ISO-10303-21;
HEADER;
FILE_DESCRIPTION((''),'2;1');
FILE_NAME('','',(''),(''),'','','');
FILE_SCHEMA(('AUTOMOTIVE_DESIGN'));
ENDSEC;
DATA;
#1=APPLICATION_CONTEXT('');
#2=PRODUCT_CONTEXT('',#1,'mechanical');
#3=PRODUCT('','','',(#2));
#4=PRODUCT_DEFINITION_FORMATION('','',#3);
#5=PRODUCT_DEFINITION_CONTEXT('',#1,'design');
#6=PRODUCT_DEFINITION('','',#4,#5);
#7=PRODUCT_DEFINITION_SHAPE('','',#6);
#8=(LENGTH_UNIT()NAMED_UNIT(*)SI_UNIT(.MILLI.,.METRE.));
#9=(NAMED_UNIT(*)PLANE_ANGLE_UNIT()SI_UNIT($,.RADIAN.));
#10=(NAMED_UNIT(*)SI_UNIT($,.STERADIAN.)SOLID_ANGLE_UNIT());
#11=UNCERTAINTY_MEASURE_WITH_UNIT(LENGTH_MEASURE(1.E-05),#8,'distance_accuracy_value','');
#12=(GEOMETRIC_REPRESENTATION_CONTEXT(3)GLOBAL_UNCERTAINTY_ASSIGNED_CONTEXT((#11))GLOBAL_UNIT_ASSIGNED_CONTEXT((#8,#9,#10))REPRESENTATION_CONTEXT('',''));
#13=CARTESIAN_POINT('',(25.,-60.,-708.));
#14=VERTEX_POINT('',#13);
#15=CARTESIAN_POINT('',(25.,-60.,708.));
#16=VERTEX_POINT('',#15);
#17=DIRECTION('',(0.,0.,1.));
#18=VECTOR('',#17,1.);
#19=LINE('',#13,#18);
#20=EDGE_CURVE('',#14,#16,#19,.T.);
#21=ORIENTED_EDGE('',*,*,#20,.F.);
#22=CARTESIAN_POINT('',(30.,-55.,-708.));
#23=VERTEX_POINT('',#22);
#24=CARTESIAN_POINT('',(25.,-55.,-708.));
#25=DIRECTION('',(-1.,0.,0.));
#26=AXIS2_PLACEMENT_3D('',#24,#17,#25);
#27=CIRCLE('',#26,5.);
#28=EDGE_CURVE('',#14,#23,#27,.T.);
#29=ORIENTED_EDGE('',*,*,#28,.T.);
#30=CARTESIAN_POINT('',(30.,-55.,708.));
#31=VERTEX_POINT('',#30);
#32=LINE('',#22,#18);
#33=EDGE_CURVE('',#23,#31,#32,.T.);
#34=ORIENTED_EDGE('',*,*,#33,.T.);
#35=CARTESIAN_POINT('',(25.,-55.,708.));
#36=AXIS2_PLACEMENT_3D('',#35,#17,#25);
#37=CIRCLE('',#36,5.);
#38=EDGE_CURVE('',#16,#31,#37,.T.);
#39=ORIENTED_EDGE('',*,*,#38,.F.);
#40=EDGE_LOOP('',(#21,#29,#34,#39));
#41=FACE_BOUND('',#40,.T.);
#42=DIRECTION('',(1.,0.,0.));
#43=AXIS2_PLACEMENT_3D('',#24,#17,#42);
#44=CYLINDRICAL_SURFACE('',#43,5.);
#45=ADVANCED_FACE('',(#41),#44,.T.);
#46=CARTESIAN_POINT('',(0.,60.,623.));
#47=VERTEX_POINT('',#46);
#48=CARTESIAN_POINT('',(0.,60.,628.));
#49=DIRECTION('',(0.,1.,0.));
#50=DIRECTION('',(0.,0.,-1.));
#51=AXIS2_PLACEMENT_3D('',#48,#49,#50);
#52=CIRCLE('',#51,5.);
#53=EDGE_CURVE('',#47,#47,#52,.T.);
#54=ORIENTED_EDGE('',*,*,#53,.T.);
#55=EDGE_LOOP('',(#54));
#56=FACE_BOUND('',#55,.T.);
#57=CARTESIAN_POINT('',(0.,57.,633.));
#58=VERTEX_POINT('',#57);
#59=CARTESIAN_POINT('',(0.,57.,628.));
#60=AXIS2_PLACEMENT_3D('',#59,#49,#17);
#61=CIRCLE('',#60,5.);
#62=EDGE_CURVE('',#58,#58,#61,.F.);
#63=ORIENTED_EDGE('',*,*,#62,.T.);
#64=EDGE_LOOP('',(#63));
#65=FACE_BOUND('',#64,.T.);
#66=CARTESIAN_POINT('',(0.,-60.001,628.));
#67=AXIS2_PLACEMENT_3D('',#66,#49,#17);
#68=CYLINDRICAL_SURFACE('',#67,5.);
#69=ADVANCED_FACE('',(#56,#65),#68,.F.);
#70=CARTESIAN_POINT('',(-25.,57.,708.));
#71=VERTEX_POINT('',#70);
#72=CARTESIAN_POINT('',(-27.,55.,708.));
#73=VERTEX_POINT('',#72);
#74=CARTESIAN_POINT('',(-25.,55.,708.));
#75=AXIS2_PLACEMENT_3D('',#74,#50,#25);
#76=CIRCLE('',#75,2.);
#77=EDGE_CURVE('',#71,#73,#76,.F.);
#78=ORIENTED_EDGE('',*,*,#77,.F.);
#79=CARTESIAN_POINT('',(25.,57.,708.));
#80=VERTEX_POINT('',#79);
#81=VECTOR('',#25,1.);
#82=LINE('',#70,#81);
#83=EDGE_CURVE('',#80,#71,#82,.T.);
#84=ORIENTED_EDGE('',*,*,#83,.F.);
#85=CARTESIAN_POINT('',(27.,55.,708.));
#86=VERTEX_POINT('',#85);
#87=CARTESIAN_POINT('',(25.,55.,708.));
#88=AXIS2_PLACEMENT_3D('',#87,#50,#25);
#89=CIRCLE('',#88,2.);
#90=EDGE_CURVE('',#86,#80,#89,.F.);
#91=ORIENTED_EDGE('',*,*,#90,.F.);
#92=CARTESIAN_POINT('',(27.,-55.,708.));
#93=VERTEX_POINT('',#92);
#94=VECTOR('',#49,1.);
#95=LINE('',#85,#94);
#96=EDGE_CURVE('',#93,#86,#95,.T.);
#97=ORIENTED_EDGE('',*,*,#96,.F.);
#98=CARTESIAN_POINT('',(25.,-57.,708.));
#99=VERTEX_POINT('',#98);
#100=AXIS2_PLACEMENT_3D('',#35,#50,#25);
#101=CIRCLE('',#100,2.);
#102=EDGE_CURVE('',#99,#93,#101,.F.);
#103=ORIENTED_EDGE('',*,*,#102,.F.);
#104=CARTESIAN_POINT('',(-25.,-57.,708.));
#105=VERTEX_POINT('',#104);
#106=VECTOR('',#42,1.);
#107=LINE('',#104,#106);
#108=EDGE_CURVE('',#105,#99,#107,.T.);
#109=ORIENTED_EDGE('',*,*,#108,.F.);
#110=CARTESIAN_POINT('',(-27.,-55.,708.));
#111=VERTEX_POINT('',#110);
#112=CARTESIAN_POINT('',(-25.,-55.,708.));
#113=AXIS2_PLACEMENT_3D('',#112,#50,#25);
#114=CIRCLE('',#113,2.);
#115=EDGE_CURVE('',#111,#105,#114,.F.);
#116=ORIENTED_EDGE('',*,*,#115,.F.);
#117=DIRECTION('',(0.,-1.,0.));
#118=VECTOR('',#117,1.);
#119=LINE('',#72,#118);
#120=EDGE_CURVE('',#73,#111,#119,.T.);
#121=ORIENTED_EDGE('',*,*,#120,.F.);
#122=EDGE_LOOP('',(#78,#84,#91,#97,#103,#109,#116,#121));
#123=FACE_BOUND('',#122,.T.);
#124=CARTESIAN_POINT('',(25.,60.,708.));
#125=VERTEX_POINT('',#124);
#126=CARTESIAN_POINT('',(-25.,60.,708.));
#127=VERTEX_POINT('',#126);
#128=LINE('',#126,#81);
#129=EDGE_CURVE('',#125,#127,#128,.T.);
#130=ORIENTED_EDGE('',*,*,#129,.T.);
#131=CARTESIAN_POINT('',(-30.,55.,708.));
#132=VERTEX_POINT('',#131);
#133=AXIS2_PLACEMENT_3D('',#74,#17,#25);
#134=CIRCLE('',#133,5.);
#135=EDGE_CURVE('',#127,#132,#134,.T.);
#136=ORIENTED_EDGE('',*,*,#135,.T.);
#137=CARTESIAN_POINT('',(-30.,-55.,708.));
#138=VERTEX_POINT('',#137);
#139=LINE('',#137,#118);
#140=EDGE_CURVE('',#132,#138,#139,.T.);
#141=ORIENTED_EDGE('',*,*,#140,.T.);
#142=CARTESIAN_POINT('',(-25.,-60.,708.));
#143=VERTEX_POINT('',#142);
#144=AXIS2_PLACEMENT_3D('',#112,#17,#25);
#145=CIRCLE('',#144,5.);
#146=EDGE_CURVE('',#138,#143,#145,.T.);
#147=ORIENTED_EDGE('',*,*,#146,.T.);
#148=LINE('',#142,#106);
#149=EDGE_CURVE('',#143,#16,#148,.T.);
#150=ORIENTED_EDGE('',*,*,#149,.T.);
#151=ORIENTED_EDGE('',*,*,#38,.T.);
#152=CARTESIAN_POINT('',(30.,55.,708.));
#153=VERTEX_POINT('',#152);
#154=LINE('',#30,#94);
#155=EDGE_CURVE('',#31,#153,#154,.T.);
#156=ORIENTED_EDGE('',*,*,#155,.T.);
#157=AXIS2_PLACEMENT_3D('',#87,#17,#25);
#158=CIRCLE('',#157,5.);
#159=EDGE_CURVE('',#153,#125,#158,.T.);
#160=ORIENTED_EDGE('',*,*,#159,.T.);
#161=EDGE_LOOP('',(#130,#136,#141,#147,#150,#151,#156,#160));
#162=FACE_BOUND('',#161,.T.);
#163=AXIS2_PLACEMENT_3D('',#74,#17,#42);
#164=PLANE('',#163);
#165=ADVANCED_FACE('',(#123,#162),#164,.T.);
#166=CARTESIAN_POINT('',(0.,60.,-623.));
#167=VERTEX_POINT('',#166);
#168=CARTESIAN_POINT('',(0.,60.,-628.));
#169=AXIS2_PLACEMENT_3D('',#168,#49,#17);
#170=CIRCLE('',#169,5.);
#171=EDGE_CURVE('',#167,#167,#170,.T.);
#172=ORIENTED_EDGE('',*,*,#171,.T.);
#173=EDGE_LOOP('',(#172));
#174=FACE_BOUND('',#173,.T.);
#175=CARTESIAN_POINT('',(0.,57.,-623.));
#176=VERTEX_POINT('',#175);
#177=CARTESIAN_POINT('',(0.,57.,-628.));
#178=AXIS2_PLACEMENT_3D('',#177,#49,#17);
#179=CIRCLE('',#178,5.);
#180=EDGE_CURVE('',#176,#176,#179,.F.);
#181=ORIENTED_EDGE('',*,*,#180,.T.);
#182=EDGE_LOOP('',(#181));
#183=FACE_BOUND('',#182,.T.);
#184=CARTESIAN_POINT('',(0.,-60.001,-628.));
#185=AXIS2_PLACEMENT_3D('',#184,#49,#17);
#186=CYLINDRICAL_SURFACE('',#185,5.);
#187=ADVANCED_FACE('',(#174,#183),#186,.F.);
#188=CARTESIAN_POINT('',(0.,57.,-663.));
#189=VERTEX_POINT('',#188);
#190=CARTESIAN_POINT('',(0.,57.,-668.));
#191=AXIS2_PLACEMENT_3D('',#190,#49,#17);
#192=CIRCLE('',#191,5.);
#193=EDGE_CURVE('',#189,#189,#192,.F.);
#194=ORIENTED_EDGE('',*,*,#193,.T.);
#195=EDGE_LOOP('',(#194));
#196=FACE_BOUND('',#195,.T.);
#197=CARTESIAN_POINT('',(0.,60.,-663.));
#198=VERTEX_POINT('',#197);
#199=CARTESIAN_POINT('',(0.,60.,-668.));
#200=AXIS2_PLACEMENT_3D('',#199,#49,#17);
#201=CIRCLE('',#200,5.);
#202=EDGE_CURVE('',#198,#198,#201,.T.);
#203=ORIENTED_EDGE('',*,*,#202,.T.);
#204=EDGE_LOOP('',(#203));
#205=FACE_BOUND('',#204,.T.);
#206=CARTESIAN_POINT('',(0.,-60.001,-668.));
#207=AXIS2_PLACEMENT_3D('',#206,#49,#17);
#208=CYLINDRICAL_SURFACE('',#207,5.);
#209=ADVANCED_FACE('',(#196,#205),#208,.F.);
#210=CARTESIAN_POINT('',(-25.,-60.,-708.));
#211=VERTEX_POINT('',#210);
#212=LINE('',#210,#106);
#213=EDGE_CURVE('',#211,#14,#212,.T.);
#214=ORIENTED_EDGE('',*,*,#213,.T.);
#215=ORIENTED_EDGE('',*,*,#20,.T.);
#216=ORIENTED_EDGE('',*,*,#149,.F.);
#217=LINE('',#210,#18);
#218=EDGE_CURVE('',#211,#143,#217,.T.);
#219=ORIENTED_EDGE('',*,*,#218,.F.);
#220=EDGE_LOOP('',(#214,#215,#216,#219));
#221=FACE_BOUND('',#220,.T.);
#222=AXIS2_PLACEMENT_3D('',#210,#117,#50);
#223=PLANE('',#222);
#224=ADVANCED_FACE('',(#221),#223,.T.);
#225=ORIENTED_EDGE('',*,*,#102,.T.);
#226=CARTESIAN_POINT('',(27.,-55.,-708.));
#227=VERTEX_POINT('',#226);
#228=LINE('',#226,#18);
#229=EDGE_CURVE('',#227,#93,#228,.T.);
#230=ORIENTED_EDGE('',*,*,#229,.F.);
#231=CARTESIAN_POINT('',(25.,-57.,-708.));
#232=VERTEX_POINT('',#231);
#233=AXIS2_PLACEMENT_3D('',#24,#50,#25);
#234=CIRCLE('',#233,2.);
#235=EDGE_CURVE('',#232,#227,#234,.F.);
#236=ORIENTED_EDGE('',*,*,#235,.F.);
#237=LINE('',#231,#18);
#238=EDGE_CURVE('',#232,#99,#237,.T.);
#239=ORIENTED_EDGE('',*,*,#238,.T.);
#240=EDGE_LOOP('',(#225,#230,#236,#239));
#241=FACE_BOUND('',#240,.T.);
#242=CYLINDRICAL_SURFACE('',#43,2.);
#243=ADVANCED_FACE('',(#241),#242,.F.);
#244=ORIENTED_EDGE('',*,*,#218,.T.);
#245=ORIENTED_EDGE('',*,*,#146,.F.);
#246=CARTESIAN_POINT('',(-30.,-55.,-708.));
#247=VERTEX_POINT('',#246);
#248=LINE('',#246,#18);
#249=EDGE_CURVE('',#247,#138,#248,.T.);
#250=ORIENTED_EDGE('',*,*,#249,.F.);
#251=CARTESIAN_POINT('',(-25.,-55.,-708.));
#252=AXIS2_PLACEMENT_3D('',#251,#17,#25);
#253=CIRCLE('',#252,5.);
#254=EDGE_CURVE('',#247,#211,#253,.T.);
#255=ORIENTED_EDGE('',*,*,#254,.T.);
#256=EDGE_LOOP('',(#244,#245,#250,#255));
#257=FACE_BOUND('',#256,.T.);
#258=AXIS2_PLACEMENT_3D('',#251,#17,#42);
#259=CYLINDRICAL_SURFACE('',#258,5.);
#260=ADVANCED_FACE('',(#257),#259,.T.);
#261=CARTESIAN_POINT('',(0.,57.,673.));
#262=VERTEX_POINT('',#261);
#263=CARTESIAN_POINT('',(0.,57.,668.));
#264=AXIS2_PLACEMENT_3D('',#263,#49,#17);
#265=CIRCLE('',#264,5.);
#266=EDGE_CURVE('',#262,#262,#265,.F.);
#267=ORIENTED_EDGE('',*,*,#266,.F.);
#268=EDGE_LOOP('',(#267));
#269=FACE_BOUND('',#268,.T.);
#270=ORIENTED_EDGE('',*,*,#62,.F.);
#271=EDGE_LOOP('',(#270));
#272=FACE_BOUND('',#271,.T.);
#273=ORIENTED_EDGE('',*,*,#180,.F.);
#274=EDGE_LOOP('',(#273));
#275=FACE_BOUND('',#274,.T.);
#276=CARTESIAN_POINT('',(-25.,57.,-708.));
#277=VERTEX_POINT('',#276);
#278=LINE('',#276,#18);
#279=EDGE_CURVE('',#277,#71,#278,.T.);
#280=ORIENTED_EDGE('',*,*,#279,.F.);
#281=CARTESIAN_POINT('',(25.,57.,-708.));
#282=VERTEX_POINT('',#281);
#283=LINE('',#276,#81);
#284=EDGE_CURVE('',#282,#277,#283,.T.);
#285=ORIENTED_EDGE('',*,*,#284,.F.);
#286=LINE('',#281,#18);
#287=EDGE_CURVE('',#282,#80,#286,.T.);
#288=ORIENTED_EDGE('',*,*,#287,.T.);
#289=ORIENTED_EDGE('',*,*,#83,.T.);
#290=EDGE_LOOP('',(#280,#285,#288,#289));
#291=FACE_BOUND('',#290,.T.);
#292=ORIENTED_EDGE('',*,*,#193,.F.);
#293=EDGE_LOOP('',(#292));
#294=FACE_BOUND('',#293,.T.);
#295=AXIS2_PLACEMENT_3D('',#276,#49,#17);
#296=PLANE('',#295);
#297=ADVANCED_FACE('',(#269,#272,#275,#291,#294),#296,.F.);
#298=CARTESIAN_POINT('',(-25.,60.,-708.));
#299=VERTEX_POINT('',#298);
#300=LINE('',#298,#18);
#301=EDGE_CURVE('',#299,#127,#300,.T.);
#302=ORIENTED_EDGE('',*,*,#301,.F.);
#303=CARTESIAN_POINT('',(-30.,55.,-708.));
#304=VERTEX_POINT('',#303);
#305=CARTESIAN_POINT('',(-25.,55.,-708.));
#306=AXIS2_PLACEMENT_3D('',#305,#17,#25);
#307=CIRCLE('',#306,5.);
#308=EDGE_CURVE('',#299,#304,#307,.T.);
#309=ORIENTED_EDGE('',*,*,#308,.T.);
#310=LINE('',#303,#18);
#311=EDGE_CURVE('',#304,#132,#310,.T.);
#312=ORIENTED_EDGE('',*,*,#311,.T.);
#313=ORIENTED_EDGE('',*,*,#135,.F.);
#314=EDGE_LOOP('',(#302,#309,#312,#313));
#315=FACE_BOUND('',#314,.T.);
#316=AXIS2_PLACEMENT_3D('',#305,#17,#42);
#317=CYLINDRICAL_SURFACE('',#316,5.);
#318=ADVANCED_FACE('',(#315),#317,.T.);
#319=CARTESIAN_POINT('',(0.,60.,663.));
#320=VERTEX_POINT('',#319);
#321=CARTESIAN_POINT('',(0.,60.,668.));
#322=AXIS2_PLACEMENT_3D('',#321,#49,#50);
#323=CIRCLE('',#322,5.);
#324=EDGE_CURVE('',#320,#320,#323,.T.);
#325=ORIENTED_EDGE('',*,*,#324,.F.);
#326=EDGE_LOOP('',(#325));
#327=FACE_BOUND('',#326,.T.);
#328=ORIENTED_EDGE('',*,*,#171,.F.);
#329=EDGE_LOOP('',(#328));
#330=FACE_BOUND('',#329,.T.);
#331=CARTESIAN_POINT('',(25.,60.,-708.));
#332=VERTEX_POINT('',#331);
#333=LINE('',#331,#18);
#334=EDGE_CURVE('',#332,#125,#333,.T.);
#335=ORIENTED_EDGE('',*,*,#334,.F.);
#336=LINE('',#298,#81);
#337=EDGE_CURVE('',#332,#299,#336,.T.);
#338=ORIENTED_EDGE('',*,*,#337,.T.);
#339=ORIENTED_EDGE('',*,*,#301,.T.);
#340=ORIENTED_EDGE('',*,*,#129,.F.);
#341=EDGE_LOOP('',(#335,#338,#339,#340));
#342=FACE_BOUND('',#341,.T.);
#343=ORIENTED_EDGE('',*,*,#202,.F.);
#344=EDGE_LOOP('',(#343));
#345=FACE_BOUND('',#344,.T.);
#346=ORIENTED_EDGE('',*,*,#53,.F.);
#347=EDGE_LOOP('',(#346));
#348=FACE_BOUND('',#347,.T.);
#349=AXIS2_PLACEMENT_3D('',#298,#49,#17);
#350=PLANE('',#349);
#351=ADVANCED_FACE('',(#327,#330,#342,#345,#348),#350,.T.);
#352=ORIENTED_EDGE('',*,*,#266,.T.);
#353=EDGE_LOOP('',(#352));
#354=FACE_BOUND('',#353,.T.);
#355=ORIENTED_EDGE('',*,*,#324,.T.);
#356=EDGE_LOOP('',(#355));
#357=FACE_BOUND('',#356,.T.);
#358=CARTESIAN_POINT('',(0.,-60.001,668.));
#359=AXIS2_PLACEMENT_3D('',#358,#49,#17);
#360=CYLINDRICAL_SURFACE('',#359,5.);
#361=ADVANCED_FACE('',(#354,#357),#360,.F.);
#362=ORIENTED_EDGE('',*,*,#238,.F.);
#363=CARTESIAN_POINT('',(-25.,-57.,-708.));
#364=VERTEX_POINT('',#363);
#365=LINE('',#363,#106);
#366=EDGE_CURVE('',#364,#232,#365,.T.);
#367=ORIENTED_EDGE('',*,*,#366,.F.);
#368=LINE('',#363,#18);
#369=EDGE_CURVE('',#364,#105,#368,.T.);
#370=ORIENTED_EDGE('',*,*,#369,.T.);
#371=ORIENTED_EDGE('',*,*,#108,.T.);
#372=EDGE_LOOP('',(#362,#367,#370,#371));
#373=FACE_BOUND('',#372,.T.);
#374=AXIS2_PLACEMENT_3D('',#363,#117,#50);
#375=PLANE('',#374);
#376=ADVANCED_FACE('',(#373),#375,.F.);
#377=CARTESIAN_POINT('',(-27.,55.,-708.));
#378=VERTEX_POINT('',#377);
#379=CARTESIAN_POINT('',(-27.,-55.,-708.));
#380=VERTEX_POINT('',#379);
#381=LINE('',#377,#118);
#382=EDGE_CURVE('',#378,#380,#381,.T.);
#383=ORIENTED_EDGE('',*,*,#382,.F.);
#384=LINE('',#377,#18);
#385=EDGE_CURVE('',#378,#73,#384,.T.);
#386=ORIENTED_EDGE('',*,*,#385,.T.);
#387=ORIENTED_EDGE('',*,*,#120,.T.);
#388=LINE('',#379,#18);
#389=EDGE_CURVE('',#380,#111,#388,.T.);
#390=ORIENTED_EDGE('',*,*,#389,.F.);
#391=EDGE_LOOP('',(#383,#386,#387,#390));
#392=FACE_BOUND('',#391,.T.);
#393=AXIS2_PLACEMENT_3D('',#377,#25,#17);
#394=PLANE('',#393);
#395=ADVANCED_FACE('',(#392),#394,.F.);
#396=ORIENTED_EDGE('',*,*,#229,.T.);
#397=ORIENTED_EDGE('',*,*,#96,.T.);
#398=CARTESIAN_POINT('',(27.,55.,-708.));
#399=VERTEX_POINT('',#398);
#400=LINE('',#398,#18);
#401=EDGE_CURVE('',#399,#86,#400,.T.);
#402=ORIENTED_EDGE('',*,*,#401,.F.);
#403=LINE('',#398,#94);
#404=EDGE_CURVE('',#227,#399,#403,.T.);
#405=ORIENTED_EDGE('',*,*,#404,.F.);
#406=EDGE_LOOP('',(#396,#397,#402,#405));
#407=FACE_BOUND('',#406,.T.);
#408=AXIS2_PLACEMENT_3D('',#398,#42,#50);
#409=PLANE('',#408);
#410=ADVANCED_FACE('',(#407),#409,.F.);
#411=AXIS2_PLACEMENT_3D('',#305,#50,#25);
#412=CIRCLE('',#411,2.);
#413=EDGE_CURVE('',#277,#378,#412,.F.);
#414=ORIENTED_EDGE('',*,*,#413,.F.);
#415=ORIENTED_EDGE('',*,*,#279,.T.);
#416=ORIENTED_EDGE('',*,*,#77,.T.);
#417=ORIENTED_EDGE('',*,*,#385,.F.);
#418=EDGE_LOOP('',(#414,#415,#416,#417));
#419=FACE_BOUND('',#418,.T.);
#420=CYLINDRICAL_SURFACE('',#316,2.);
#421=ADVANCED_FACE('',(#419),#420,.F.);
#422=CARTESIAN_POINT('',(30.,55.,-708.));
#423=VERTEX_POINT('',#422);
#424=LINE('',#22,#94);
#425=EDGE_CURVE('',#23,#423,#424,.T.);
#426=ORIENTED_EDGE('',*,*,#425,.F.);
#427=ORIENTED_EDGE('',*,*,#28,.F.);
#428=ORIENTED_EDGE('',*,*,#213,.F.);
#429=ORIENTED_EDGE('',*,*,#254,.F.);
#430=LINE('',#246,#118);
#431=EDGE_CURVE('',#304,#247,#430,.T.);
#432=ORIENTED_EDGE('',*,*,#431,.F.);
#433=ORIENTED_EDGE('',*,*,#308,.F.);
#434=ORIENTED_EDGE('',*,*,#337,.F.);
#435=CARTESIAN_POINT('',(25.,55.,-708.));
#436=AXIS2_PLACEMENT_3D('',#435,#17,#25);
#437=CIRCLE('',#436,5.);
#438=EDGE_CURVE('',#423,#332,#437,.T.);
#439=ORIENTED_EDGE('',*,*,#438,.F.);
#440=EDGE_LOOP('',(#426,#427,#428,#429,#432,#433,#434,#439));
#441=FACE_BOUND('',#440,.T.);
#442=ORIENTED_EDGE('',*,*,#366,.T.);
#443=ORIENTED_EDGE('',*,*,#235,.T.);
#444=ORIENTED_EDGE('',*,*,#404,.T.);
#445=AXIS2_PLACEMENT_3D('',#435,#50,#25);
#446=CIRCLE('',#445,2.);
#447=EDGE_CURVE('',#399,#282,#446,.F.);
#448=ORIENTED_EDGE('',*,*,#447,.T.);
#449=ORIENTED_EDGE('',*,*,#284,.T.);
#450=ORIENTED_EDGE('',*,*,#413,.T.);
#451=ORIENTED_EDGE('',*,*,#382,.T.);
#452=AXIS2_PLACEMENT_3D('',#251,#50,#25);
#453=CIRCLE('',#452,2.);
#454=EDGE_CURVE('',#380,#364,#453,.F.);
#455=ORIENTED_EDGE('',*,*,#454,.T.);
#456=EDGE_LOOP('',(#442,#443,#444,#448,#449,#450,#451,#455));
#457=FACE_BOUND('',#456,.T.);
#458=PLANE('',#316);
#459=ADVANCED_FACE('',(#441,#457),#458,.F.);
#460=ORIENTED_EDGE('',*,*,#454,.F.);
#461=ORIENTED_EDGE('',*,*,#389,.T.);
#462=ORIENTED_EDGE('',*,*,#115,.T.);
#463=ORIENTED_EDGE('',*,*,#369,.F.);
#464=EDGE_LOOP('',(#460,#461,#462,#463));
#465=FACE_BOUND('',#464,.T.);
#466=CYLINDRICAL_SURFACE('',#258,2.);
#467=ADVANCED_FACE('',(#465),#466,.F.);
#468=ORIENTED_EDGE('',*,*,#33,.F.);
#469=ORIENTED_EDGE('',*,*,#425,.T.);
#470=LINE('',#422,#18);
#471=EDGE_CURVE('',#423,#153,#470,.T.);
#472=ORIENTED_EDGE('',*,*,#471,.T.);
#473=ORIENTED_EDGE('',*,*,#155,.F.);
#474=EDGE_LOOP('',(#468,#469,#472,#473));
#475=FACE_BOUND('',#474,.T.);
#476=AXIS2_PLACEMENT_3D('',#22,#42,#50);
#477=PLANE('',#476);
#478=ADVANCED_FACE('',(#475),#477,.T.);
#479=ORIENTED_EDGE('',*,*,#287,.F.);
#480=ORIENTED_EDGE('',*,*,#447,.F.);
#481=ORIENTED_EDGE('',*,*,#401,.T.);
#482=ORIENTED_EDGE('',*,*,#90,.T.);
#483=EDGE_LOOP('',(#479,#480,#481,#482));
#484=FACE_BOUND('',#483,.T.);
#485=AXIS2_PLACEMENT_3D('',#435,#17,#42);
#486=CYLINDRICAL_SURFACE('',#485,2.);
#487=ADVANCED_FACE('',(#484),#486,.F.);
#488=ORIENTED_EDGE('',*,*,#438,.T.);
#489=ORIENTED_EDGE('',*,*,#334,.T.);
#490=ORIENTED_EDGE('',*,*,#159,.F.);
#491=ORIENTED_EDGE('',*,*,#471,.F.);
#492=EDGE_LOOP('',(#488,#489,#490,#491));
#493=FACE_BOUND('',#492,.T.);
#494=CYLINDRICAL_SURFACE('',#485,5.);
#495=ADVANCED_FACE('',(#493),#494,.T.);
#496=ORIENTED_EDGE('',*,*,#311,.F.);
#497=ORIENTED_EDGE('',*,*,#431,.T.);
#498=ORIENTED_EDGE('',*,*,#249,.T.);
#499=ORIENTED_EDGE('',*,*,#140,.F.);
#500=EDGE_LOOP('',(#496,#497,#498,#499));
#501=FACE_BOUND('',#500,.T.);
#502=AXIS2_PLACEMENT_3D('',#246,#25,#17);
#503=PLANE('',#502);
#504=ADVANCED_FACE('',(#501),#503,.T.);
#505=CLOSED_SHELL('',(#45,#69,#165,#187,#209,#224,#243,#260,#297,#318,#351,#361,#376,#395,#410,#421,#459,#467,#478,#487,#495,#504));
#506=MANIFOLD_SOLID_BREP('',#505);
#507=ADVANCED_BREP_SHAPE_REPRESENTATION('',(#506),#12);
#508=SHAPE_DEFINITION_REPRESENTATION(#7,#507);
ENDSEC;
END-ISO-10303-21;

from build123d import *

# Parameters (mm, degrees)
EXTRUDE_THIN1_DEPTH      = 708
EXTRUDE_THIN1_DEPTH_BACK = 708
CUT_EXTRUDE1_REACH       = 720.724
SKETCH3_R                = 5


with BuildPart() as part:
    # Sketch2 → Extrude-Thin1 (new, two sides: drawn at the far end of the back side and taken through both)
    with BuildSketch(Plane.XY.offset(-EXTRUDE_THIN1_DEPTH_BACK)):
        with BuildLine():
            Line((-25, -60), (25, -60))
            ThreePointArc((25, -60), (28.535533906, -58.535533906), (30, -55))
            Line((30, -55), (30, 55))
            ThreePointArc((30, 55), (28.535533906, 58.535533906), (25, 60))
            Line((25, 60), (-25, 60))
            ThreePointArc((-25, 60), (-28.535533906, 58.535533906), (-30, 55))
            Line((-30, 55), (-30, -55))
            ThreePointArc((-30, -55), (-28.535533906, -58.535533906), (-25, -60))
        make_face()
        with BuildLine():
            Line((-25, -57), (25, -57))
            ThreePointArc((25, -57), (26.414213562, -56.414213562), (27, -55))
            Line((27, -55), (27, 55))
            ThreePointArc((27, 55), (26.414213562, 56.414213562), (25, 57))
            Line((25, 57), (-25, 57))
            ThreePointArc((-25, 57), (-26.414213562, 56.414213562), (-27, 55))
            Line((-27, 55), (-27, -55))
            ThreePointArc((-27, -55), (-26.414213562, -56.414213562), (-25, -57))
        make_face(mode=Mode.SUBTRACT)
    extrude(amount=EXTRUDE_THIN1_DEPTH + EXTRUDE_THIN1_DEPTH_BACK)

    # Sketch3 → Cut-Extrude1 (cut, up to next)
    with BuildSketch(Plane(origin=(0, 60, 0), x_dir=(1, 0, 0), z_dir=(0, 1, 0)), mode=Mode.PRIVATE) as cut_extrude1_sk1:
        with Locations(Location((0, 668, 0), (0, 0, 270))):
            Circle(SKETCH3_R)
    cut_extrude1_tool1 = extrude(cut_extrude1_sk1.sketch, amount=-CUT_EXTRUDE1_REACH, mode=Mode.PRIVATE) & part.part
    # Sketch3 → Cut-Extrude1 (cut, up to next)
    with BuildSketch(Plane(origin=(0, 60, 0), x_dir=(1, 0, 0), z_dir=(0, 1, 0)), mode=Mode.PRIVATE) as cut_extrude1_sk2:
        with Locations(Location((0, 628, 0), (0, 0, 270))):
            Circle(SKETCH3_R)
    cut_extrude1_tool2 = extrude(cut_extrude1_sk2.sketch, amount=-CUT_EXTRUDE1_REACH, mode=Mode.PRIVATE) & part.part
    # Sketch3 → Cut-Extrude1 (cut, up to next)
    with BuildSketch(Plane(origin=(0, 60, 0), x_dir=(1, 0, 0), z_dir=(0, 1, 0)), mode=Mode.PRIVATE) as cut_extrude1_sk3:
        with Locations(Location((0, -628, 0), (0, 0, 270))):
            Circle(SKETCH3_R)
    cut_extrude1_tool3 = extrude(cut_extrude1_sk3.sketch, amount=-CUT_EXTRUDE1_REACH, mode=Mode.PRIVATE) & part.part
    # Sketch3 → Cut-Extrude1 (cut, up to next)
    with BuildSketch(Plane(origin=(0, 60, 0), x_dir=(1, 0, 0), z_dir=(0, 1, 0)), mode=Mode.PRIVATE) as cut_extrude1_sk4:
        with Locations(Location((0, -668, 0), (0, 0, 270))):
            Circle(SKETCH3_R)
    cut_extrude1_tool4 = extrude(cut_extrude1_sk4.sketch, amount=-CUT_EXTRUDE1_REACH, mode=Mode.PRIVATE) & part.part
    add(cut_extrude1_tool1.solids().sort_by_distance((0, 60, -668))[0], mode=Mode.SUBTRACT)
    add(cut_extrude1_tool2.solids().sort_by_distance((0, 60, -628))[0], mode=Mode.SUBTRACT)
    add(cut_extrude1_tool3.solids().sort_by_distance((0, 60, 628))[0], mode=Mode.SUBTRACT)
    add(cut_extrude1_tool4.solids().sort_by_distance((0, 60, 668))[0], mode=Mode.SUBTRACT)


solid = part.part
